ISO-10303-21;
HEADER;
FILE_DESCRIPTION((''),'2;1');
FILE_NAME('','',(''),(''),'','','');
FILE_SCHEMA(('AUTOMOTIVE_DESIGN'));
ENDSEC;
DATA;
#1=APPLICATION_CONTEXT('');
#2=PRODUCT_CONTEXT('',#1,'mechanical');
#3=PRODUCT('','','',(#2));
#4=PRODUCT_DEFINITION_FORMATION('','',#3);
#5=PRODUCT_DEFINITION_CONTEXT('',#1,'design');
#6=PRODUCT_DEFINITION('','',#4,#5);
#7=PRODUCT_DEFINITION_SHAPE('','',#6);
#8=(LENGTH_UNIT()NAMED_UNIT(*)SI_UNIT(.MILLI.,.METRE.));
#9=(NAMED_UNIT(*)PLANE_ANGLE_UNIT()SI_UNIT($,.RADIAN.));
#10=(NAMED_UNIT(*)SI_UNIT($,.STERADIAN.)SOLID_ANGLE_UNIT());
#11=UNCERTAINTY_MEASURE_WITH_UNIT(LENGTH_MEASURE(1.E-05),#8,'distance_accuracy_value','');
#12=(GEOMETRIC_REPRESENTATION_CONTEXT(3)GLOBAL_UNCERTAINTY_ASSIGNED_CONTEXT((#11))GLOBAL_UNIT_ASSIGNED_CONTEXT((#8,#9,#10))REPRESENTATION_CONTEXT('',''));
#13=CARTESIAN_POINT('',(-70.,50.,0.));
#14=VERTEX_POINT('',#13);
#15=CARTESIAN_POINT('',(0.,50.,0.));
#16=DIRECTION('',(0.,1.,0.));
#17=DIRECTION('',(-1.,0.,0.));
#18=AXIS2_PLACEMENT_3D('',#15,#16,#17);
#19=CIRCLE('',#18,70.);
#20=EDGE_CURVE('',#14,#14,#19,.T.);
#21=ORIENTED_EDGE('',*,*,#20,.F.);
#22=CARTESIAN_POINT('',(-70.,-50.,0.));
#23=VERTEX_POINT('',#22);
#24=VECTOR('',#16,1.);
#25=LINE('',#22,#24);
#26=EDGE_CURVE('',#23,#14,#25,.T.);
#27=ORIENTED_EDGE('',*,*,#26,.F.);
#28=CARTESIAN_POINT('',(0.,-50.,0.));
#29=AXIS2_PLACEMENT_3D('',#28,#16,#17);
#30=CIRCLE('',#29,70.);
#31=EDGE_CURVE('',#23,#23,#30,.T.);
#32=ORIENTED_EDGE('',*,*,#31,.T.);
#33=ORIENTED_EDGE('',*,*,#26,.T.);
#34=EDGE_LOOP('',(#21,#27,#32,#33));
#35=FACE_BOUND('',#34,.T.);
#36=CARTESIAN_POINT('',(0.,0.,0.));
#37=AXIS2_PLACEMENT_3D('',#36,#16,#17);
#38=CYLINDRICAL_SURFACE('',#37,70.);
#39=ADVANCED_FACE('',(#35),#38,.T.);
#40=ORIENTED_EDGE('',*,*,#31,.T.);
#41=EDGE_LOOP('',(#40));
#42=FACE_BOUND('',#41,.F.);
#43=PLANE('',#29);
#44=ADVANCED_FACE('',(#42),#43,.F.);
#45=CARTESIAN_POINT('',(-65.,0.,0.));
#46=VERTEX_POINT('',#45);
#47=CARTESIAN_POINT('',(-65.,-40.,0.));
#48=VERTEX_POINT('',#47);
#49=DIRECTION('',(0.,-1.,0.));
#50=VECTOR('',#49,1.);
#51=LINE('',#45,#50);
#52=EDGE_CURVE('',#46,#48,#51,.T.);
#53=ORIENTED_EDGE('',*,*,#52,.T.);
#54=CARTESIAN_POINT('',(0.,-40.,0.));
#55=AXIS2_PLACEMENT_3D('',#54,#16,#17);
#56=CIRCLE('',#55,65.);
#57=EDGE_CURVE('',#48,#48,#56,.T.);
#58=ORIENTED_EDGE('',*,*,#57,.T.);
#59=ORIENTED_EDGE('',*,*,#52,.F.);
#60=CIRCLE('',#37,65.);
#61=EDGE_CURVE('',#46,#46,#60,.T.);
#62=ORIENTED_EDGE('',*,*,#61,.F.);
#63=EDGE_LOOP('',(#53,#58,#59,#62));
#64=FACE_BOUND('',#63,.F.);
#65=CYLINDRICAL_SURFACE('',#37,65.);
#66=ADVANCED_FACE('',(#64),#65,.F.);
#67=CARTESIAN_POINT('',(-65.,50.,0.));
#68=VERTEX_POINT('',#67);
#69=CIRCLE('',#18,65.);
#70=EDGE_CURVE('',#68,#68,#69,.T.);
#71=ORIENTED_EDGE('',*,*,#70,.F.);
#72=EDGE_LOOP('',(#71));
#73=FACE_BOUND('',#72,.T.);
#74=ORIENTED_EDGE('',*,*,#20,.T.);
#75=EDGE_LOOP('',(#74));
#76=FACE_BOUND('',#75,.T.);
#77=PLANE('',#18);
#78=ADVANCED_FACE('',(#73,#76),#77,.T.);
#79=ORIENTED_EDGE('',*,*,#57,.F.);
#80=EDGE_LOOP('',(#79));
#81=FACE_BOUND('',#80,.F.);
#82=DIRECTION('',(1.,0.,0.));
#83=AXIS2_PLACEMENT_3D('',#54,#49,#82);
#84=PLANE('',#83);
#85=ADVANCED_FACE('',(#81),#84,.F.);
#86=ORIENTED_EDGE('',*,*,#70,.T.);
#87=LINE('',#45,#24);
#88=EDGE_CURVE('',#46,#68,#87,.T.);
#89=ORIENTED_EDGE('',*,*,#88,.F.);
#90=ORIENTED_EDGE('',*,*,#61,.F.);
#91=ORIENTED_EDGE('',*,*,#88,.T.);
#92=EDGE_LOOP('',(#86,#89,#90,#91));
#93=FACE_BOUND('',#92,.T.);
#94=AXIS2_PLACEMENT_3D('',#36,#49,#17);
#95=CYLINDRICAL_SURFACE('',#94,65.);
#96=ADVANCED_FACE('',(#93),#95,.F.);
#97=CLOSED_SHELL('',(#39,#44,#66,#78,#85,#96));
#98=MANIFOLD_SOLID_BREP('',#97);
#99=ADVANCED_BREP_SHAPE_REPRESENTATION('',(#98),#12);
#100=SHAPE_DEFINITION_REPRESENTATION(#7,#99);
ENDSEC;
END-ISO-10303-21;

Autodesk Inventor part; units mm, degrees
ref_plane "YZ Plane" through (0, 0, 0) normal (1, 0, 0) x (0, 1, 0)
ref_plane "XZ Plane" through (0, 0, 0) normal (0, 1, 0) x (-1, 0, 0)
ref_plane "XY Plane" through (0, 0, 0) normal (0, 0, 1) x (1, 0, 0)
sketch "Sketch1" plane through (0, 0, 0) normal (0, 1, 0) x (-1, 0, 0)
  circle A0 centre (0, 0) radius 70
  circle A1 centre (0, 0) radius 65
  dimension "d0" = 140
  dimension "d1" = 130
extrude "Extrusion1" add sketch "Sketch1" along normal mid plane 100
sketch "Sketch6" plane through (0, -50, 0) normal (0, -1, 0) x (1, 0, 0)
  circle A0 centre (0, 0) radius 70 projected
extrude "Extrusion5" add sketch "Sketch6" against normal blind 10
properties part number "Gelenk 2" material "Steel, Alloy"
